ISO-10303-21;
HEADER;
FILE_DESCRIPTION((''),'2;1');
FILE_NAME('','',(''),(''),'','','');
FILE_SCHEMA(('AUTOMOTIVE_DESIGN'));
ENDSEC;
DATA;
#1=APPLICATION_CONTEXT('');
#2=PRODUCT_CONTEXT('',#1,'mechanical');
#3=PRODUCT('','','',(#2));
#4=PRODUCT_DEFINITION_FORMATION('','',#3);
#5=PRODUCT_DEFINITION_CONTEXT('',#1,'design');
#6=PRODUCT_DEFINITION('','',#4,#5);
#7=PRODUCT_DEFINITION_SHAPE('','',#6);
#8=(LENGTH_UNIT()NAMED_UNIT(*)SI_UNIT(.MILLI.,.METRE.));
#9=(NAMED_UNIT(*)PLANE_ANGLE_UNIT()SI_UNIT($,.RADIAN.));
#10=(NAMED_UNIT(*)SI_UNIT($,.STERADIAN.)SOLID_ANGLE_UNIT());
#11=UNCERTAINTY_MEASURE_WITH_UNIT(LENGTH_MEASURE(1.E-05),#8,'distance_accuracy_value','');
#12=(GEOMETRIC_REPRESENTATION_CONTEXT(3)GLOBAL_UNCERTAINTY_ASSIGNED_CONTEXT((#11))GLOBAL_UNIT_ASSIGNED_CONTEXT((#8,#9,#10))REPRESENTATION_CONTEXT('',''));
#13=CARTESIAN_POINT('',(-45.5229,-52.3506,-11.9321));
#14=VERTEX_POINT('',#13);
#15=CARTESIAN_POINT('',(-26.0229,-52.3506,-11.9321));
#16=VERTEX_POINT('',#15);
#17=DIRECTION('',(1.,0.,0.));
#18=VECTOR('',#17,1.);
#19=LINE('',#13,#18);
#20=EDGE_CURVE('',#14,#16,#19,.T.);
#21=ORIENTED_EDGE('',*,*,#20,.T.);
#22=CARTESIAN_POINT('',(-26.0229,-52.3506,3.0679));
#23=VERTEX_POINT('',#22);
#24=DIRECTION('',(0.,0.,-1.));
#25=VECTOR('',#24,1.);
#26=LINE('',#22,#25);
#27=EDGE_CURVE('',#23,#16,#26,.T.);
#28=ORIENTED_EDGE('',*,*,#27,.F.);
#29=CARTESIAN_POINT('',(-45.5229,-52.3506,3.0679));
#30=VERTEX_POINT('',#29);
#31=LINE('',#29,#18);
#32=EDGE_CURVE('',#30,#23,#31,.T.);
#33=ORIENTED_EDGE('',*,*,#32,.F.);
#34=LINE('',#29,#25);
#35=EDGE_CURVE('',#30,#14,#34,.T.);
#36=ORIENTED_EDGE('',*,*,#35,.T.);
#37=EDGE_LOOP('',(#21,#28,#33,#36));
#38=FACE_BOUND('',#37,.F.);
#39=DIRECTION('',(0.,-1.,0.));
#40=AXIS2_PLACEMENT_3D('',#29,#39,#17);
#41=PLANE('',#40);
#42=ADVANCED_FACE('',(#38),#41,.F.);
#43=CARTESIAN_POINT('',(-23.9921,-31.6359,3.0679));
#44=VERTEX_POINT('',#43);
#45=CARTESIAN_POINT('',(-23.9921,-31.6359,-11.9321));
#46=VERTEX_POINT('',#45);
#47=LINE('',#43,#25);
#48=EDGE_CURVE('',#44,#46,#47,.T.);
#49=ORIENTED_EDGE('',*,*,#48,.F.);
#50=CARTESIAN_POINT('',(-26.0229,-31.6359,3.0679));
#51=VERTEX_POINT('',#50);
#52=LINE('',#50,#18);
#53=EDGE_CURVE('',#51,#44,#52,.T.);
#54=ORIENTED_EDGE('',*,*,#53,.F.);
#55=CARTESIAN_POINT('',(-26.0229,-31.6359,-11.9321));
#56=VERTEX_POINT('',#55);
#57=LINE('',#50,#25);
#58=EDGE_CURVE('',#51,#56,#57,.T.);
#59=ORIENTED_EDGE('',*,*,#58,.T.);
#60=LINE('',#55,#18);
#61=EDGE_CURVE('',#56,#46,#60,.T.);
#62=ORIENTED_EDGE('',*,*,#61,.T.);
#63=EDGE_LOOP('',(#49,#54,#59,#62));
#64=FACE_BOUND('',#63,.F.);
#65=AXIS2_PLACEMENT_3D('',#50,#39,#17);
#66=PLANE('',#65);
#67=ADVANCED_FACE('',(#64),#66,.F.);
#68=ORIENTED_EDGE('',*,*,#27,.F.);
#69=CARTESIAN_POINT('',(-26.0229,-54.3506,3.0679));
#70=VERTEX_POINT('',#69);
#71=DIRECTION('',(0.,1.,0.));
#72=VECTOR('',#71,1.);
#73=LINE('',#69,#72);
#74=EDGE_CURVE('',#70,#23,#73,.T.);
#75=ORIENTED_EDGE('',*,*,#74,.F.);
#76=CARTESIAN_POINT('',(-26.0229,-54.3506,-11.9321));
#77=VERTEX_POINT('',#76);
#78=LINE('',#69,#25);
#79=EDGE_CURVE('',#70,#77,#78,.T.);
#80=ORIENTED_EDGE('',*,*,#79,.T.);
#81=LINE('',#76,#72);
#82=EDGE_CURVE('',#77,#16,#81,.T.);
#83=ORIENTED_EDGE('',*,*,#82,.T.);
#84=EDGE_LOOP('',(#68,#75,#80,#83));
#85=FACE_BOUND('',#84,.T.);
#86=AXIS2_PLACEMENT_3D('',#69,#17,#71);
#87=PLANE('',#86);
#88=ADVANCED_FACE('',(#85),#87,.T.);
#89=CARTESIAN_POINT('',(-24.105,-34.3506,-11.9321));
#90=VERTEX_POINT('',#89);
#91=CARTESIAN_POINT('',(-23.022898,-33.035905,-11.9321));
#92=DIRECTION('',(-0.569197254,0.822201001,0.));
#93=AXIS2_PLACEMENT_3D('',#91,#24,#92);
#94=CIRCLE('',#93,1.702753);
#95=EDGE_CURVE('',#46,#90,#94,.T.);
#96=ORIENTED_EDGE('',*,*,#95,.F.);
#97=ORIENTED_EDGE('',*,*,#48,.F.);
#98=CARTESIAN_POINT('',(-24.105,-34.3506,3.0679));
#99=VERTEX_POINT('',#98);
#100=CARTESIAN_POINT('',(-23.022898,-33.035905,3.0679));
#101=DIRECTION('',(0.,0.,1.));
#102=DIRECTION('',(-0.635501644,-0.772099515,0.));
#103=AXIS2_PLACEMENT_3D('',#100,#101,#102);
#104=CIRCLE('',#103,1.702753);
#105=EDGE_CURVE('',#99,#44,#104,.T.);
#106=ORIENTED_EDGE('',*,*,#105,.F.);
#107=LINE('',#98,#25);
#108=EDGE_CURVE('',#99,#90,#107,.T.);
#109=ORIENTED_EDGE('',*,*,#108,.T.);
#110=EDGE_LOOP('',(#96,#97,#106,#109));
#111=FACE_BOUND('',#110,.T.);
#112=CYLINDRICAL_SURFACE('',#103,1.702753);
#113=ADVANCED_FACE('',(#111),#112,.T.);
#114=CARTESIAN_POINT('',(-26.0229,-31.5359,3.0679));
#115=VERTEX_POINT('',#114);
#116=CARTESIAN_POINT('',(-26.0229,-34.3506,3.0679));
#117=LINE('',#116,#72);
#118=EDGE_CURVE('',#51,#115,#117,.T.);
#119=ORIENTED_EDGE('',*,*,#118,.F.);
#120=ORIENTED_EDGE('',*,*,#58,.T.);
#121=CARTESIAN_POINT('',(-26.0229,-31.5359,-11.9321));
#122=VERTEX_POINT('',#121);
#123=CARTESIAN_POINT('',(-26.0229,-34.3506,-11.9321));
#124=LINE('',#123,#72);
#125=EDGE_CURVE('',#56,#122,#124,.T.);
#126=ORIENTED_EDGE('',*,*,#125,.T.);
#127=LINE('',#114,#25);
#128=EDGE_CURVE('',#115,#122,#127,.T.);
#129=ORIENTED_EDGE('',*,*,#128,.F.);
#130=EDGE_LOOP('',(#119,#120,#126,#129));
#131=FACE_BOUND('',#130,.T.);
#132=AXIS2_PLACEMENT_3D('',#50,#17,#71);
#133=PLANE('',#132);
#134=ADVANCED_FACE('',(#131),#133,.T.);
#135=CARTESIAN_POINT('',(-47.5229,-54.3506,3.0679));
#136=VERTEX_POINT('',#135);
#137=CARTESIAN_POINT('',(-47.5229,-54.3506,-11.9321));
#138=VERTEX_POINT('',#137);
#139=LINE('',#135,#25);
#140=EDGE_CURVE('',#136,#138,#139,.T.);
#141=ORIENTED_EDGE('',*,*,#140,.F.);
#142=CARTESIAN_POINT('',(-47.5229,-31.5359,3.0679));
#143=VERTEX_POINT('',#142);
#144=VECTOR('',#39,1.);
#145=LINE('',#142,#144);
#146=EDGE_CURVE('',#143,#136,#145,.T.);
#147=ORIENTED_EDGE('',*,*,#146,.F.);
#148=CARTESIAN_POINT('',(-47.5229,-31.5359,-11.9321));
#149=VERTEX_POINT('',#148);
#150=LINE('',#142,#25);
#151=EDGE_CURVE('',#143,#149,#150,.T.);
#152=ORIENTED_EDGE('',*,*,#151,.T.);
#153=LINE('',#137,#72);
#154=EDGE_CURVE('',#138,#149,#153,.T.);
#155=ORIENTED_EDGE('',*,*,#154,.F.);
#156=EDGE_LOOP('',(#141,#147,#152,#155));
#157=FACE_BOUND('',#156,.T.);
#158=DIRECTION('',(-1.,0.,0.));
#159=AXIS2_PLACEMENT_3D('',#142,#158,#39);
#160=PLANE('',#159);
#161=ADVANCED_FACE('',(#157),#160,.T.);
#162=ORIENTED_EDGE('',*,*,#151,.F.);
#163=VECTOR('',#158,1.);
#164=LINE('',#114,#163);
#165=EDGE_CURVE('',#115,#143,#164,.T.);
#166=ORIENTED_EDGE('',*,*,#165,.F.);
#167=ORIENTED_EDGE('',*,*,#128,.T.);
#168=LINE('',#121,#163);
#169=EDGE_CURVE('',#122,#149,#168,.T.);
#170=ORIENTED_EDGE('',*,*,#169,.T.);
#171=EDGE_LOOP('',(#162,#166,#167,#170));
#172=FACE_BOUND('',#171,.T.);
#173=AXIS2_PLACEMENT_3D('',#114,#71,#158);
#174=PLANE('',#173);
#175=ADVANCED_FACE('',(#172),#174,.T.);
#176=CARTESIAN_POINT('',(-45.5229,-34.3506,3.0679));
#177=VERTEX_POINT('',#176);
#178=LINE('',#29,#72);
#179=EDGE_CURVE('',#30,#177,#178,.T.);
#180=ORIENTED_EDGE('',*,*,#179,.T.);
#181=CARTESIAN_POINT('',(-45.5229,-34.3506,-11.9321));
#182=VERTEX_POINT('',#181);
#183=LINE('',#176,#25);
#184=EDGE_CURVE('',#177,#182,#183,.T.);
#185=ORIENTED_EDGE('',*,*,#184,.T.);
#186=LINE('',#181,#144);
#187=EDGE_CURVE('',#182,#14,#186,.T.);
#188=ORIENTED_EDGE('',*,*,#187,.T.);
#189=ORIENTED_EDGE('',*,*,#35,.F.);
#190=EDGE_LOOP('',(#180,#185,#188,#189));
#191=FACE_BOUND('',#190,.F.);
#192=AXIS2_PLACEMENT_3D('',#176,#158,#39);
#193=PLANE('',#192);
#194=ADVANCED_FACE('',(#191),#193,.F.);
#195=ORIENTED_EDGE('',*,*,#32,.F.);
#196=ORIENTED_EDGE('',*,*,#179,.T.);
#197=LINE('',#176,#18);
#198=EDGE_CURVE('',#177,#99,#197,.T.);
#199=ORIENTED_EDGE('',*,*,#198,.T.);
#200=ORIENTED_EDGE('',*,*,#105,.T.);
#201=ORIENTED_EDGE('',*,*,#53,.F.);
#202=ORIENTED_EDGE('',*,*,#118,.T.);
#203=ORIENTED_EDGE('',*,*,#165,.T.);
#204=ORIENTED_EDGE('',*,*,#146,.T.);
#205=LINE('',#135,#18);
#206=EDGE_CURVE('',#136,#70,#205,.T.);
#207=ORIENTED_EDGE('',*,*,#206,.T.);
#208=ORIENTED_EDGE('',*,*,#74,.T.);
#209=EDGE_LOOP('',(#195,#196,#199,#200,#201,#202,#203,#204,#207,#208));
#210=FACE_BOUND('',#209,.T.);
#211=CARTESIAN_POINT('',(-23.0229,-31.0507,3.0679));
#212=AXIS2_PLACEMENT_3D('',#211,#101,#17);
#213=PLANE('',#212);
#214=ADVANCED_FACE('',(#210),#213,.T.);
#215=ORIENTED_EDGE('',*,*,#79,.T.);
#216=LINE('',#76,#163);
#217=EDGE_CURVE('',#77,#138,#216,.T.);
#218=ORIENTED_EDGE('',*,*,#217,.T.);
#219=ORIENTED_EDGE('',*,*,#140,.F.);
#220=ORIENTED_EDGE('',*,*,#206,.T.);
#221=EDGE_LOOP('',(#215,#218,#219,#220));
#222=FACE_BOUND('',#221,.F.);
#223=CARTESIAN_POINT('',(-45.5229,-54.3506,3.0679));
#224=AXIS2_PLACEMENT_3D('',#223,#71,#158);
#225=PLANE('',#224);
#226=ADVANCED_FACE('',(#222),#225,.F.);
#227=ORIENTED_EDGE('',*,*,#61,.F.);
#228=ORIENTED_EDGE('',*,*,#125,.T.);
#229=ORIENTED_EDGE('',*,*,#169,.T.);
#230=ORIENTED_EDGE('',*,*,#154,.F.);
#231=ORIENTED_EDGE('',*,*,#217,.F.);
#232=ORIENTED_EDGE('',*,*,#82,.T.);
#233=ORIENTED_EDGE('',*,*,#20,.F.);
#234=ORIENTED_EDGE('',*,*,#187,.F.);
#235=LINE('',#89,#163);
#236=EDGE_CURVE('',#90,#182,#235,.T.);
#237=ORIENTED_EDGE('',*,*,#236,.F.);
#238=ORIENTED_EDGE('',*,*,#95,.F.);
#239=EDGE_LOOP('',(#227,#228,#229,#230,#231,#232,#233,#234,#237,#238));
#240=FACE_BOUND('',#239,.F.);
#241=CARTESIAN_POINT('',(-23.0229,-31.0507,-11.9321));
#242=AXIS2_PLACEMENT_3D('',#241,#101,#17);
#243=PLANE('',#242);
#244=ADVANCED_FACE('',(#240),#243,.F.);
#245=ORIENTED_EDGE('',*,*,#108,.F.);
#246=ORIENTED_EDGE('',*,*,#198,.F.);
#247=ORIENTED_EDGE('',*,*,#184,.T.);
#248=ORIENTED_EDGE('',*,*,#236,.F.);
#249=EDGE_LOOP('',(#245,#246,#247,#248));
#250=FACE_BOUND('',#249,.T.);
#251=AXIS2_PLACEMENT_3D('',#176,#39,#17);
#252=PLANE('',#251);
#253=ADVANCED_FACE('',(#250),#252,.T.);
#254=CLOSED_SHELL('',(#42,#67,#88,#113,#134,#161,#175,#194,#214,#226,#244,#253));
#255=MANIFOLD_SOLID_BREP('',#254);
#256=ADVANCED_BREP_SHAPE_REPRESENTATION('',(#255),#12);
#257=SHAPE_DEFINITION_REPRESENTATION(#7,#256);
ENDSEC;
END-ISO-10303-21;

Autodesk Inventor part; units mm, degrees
ref_plane "YZ Plane" through (0, 0, 0) normal (1, 0, 0) x (0, 1, 0)
ref_plane "XZ Plane" through (0, 0, 0) normal (0, 1, 0) x (-1, 0, 0)
ref_plane "XY Plane" through (0, 0, 0) normal (0, 0, 1) x (1, 0, 0)
ref_plane "РабПлоскость3" through (-23.0229, -31.0507, 3.0679) normal (0, 0, 1) x (1, 0, 0)
sketch "Эскиз2" plane through (-23.0229, -31.0507, 3.0679) normal (0, 0, 1) x (1, 0, 0)
  arc A0 (-1, -3.4852) -> (-1, -0.4852) centre (0, -1.9852) ccw projected
  line L0 (-1, -3.4852) -> (-3, -3.4852) projected
  line L1 (-3, -0.4852) -> (-1, -0.4852) projected
  line L2 (-3, -0.4852) -> (-24.5, -0.4852)
  line L3 (-24.5, -0.4852) -> (-24.5, -3.2999)
  line L4 (-24.5, -3.2999) -> (-1.0821, -3.2999)
  line L5 (-3, -3.2999) -> (-3, -0.4852)
  line L6 (-24.5, -3.2999) -> (-22.5, -3.2999)
  line L7 (-22.5, -3.2999) -> (-22.5, -23.2999)
  line L8 (-22.5, -23.2999) -> (-24.5, -23.2999)
  line L9 (-24.5, -23.2999) -> (-24.5, -3.2999)
  line L10 (-22.5, -23.2999) -> (-3, -23.2999)
  line L11 (-3, -23.2999) -> (-3, -15.9662)
  line L12 (-3, -15.9662) -> (-22.5, -15.9662)
  line L13 (-22.5, -15.9662) -> (-22.5, -23.2999)
  line L14 (-1, -3.2999) -> (-22.5, -3.2999) projected
  line L15 (-22.5, -3.2999) -> (-22.5, -21.2999) projected
  line L16 (-3, -0.5852) -> (-0.9692, -0.5852)
  arc A1 (-1.0821, -3.2999) -> (-0.9692, -0.5852) centre (0, -1.9852) ccw
  line L17 (-0.9692, -3.3852) -> (-1.1358, -3.3852)
  line L18 (-1, -3.2999) -> (-22.5, -3.2999) projected
  line L19 (-22.5, -21.2999) -> (-1, -21.2999) projected
  point P0 (23.0229, 31.0507)
  point P1 (-22.5, -12.2999)
  point P2 (-3, -21.2999)
  point P3 (-22.5, -3.2999)
  point P4 (-3, -0.5852)
  dimension "d3" = 2
  dimension "d4" = 0.1
  dimension "d5" = 2
extrude "Выдавливание2" add sketch "Эскиз2" against normal blind 15 contours L5 L4 L3 L2 | L16 A1 L4 L5 | L4 L7 L8 L9 | L7 L19 L11 L10
properties part number "ЛЦМК.00002.00.00.00.00.22 Крышка короба"
